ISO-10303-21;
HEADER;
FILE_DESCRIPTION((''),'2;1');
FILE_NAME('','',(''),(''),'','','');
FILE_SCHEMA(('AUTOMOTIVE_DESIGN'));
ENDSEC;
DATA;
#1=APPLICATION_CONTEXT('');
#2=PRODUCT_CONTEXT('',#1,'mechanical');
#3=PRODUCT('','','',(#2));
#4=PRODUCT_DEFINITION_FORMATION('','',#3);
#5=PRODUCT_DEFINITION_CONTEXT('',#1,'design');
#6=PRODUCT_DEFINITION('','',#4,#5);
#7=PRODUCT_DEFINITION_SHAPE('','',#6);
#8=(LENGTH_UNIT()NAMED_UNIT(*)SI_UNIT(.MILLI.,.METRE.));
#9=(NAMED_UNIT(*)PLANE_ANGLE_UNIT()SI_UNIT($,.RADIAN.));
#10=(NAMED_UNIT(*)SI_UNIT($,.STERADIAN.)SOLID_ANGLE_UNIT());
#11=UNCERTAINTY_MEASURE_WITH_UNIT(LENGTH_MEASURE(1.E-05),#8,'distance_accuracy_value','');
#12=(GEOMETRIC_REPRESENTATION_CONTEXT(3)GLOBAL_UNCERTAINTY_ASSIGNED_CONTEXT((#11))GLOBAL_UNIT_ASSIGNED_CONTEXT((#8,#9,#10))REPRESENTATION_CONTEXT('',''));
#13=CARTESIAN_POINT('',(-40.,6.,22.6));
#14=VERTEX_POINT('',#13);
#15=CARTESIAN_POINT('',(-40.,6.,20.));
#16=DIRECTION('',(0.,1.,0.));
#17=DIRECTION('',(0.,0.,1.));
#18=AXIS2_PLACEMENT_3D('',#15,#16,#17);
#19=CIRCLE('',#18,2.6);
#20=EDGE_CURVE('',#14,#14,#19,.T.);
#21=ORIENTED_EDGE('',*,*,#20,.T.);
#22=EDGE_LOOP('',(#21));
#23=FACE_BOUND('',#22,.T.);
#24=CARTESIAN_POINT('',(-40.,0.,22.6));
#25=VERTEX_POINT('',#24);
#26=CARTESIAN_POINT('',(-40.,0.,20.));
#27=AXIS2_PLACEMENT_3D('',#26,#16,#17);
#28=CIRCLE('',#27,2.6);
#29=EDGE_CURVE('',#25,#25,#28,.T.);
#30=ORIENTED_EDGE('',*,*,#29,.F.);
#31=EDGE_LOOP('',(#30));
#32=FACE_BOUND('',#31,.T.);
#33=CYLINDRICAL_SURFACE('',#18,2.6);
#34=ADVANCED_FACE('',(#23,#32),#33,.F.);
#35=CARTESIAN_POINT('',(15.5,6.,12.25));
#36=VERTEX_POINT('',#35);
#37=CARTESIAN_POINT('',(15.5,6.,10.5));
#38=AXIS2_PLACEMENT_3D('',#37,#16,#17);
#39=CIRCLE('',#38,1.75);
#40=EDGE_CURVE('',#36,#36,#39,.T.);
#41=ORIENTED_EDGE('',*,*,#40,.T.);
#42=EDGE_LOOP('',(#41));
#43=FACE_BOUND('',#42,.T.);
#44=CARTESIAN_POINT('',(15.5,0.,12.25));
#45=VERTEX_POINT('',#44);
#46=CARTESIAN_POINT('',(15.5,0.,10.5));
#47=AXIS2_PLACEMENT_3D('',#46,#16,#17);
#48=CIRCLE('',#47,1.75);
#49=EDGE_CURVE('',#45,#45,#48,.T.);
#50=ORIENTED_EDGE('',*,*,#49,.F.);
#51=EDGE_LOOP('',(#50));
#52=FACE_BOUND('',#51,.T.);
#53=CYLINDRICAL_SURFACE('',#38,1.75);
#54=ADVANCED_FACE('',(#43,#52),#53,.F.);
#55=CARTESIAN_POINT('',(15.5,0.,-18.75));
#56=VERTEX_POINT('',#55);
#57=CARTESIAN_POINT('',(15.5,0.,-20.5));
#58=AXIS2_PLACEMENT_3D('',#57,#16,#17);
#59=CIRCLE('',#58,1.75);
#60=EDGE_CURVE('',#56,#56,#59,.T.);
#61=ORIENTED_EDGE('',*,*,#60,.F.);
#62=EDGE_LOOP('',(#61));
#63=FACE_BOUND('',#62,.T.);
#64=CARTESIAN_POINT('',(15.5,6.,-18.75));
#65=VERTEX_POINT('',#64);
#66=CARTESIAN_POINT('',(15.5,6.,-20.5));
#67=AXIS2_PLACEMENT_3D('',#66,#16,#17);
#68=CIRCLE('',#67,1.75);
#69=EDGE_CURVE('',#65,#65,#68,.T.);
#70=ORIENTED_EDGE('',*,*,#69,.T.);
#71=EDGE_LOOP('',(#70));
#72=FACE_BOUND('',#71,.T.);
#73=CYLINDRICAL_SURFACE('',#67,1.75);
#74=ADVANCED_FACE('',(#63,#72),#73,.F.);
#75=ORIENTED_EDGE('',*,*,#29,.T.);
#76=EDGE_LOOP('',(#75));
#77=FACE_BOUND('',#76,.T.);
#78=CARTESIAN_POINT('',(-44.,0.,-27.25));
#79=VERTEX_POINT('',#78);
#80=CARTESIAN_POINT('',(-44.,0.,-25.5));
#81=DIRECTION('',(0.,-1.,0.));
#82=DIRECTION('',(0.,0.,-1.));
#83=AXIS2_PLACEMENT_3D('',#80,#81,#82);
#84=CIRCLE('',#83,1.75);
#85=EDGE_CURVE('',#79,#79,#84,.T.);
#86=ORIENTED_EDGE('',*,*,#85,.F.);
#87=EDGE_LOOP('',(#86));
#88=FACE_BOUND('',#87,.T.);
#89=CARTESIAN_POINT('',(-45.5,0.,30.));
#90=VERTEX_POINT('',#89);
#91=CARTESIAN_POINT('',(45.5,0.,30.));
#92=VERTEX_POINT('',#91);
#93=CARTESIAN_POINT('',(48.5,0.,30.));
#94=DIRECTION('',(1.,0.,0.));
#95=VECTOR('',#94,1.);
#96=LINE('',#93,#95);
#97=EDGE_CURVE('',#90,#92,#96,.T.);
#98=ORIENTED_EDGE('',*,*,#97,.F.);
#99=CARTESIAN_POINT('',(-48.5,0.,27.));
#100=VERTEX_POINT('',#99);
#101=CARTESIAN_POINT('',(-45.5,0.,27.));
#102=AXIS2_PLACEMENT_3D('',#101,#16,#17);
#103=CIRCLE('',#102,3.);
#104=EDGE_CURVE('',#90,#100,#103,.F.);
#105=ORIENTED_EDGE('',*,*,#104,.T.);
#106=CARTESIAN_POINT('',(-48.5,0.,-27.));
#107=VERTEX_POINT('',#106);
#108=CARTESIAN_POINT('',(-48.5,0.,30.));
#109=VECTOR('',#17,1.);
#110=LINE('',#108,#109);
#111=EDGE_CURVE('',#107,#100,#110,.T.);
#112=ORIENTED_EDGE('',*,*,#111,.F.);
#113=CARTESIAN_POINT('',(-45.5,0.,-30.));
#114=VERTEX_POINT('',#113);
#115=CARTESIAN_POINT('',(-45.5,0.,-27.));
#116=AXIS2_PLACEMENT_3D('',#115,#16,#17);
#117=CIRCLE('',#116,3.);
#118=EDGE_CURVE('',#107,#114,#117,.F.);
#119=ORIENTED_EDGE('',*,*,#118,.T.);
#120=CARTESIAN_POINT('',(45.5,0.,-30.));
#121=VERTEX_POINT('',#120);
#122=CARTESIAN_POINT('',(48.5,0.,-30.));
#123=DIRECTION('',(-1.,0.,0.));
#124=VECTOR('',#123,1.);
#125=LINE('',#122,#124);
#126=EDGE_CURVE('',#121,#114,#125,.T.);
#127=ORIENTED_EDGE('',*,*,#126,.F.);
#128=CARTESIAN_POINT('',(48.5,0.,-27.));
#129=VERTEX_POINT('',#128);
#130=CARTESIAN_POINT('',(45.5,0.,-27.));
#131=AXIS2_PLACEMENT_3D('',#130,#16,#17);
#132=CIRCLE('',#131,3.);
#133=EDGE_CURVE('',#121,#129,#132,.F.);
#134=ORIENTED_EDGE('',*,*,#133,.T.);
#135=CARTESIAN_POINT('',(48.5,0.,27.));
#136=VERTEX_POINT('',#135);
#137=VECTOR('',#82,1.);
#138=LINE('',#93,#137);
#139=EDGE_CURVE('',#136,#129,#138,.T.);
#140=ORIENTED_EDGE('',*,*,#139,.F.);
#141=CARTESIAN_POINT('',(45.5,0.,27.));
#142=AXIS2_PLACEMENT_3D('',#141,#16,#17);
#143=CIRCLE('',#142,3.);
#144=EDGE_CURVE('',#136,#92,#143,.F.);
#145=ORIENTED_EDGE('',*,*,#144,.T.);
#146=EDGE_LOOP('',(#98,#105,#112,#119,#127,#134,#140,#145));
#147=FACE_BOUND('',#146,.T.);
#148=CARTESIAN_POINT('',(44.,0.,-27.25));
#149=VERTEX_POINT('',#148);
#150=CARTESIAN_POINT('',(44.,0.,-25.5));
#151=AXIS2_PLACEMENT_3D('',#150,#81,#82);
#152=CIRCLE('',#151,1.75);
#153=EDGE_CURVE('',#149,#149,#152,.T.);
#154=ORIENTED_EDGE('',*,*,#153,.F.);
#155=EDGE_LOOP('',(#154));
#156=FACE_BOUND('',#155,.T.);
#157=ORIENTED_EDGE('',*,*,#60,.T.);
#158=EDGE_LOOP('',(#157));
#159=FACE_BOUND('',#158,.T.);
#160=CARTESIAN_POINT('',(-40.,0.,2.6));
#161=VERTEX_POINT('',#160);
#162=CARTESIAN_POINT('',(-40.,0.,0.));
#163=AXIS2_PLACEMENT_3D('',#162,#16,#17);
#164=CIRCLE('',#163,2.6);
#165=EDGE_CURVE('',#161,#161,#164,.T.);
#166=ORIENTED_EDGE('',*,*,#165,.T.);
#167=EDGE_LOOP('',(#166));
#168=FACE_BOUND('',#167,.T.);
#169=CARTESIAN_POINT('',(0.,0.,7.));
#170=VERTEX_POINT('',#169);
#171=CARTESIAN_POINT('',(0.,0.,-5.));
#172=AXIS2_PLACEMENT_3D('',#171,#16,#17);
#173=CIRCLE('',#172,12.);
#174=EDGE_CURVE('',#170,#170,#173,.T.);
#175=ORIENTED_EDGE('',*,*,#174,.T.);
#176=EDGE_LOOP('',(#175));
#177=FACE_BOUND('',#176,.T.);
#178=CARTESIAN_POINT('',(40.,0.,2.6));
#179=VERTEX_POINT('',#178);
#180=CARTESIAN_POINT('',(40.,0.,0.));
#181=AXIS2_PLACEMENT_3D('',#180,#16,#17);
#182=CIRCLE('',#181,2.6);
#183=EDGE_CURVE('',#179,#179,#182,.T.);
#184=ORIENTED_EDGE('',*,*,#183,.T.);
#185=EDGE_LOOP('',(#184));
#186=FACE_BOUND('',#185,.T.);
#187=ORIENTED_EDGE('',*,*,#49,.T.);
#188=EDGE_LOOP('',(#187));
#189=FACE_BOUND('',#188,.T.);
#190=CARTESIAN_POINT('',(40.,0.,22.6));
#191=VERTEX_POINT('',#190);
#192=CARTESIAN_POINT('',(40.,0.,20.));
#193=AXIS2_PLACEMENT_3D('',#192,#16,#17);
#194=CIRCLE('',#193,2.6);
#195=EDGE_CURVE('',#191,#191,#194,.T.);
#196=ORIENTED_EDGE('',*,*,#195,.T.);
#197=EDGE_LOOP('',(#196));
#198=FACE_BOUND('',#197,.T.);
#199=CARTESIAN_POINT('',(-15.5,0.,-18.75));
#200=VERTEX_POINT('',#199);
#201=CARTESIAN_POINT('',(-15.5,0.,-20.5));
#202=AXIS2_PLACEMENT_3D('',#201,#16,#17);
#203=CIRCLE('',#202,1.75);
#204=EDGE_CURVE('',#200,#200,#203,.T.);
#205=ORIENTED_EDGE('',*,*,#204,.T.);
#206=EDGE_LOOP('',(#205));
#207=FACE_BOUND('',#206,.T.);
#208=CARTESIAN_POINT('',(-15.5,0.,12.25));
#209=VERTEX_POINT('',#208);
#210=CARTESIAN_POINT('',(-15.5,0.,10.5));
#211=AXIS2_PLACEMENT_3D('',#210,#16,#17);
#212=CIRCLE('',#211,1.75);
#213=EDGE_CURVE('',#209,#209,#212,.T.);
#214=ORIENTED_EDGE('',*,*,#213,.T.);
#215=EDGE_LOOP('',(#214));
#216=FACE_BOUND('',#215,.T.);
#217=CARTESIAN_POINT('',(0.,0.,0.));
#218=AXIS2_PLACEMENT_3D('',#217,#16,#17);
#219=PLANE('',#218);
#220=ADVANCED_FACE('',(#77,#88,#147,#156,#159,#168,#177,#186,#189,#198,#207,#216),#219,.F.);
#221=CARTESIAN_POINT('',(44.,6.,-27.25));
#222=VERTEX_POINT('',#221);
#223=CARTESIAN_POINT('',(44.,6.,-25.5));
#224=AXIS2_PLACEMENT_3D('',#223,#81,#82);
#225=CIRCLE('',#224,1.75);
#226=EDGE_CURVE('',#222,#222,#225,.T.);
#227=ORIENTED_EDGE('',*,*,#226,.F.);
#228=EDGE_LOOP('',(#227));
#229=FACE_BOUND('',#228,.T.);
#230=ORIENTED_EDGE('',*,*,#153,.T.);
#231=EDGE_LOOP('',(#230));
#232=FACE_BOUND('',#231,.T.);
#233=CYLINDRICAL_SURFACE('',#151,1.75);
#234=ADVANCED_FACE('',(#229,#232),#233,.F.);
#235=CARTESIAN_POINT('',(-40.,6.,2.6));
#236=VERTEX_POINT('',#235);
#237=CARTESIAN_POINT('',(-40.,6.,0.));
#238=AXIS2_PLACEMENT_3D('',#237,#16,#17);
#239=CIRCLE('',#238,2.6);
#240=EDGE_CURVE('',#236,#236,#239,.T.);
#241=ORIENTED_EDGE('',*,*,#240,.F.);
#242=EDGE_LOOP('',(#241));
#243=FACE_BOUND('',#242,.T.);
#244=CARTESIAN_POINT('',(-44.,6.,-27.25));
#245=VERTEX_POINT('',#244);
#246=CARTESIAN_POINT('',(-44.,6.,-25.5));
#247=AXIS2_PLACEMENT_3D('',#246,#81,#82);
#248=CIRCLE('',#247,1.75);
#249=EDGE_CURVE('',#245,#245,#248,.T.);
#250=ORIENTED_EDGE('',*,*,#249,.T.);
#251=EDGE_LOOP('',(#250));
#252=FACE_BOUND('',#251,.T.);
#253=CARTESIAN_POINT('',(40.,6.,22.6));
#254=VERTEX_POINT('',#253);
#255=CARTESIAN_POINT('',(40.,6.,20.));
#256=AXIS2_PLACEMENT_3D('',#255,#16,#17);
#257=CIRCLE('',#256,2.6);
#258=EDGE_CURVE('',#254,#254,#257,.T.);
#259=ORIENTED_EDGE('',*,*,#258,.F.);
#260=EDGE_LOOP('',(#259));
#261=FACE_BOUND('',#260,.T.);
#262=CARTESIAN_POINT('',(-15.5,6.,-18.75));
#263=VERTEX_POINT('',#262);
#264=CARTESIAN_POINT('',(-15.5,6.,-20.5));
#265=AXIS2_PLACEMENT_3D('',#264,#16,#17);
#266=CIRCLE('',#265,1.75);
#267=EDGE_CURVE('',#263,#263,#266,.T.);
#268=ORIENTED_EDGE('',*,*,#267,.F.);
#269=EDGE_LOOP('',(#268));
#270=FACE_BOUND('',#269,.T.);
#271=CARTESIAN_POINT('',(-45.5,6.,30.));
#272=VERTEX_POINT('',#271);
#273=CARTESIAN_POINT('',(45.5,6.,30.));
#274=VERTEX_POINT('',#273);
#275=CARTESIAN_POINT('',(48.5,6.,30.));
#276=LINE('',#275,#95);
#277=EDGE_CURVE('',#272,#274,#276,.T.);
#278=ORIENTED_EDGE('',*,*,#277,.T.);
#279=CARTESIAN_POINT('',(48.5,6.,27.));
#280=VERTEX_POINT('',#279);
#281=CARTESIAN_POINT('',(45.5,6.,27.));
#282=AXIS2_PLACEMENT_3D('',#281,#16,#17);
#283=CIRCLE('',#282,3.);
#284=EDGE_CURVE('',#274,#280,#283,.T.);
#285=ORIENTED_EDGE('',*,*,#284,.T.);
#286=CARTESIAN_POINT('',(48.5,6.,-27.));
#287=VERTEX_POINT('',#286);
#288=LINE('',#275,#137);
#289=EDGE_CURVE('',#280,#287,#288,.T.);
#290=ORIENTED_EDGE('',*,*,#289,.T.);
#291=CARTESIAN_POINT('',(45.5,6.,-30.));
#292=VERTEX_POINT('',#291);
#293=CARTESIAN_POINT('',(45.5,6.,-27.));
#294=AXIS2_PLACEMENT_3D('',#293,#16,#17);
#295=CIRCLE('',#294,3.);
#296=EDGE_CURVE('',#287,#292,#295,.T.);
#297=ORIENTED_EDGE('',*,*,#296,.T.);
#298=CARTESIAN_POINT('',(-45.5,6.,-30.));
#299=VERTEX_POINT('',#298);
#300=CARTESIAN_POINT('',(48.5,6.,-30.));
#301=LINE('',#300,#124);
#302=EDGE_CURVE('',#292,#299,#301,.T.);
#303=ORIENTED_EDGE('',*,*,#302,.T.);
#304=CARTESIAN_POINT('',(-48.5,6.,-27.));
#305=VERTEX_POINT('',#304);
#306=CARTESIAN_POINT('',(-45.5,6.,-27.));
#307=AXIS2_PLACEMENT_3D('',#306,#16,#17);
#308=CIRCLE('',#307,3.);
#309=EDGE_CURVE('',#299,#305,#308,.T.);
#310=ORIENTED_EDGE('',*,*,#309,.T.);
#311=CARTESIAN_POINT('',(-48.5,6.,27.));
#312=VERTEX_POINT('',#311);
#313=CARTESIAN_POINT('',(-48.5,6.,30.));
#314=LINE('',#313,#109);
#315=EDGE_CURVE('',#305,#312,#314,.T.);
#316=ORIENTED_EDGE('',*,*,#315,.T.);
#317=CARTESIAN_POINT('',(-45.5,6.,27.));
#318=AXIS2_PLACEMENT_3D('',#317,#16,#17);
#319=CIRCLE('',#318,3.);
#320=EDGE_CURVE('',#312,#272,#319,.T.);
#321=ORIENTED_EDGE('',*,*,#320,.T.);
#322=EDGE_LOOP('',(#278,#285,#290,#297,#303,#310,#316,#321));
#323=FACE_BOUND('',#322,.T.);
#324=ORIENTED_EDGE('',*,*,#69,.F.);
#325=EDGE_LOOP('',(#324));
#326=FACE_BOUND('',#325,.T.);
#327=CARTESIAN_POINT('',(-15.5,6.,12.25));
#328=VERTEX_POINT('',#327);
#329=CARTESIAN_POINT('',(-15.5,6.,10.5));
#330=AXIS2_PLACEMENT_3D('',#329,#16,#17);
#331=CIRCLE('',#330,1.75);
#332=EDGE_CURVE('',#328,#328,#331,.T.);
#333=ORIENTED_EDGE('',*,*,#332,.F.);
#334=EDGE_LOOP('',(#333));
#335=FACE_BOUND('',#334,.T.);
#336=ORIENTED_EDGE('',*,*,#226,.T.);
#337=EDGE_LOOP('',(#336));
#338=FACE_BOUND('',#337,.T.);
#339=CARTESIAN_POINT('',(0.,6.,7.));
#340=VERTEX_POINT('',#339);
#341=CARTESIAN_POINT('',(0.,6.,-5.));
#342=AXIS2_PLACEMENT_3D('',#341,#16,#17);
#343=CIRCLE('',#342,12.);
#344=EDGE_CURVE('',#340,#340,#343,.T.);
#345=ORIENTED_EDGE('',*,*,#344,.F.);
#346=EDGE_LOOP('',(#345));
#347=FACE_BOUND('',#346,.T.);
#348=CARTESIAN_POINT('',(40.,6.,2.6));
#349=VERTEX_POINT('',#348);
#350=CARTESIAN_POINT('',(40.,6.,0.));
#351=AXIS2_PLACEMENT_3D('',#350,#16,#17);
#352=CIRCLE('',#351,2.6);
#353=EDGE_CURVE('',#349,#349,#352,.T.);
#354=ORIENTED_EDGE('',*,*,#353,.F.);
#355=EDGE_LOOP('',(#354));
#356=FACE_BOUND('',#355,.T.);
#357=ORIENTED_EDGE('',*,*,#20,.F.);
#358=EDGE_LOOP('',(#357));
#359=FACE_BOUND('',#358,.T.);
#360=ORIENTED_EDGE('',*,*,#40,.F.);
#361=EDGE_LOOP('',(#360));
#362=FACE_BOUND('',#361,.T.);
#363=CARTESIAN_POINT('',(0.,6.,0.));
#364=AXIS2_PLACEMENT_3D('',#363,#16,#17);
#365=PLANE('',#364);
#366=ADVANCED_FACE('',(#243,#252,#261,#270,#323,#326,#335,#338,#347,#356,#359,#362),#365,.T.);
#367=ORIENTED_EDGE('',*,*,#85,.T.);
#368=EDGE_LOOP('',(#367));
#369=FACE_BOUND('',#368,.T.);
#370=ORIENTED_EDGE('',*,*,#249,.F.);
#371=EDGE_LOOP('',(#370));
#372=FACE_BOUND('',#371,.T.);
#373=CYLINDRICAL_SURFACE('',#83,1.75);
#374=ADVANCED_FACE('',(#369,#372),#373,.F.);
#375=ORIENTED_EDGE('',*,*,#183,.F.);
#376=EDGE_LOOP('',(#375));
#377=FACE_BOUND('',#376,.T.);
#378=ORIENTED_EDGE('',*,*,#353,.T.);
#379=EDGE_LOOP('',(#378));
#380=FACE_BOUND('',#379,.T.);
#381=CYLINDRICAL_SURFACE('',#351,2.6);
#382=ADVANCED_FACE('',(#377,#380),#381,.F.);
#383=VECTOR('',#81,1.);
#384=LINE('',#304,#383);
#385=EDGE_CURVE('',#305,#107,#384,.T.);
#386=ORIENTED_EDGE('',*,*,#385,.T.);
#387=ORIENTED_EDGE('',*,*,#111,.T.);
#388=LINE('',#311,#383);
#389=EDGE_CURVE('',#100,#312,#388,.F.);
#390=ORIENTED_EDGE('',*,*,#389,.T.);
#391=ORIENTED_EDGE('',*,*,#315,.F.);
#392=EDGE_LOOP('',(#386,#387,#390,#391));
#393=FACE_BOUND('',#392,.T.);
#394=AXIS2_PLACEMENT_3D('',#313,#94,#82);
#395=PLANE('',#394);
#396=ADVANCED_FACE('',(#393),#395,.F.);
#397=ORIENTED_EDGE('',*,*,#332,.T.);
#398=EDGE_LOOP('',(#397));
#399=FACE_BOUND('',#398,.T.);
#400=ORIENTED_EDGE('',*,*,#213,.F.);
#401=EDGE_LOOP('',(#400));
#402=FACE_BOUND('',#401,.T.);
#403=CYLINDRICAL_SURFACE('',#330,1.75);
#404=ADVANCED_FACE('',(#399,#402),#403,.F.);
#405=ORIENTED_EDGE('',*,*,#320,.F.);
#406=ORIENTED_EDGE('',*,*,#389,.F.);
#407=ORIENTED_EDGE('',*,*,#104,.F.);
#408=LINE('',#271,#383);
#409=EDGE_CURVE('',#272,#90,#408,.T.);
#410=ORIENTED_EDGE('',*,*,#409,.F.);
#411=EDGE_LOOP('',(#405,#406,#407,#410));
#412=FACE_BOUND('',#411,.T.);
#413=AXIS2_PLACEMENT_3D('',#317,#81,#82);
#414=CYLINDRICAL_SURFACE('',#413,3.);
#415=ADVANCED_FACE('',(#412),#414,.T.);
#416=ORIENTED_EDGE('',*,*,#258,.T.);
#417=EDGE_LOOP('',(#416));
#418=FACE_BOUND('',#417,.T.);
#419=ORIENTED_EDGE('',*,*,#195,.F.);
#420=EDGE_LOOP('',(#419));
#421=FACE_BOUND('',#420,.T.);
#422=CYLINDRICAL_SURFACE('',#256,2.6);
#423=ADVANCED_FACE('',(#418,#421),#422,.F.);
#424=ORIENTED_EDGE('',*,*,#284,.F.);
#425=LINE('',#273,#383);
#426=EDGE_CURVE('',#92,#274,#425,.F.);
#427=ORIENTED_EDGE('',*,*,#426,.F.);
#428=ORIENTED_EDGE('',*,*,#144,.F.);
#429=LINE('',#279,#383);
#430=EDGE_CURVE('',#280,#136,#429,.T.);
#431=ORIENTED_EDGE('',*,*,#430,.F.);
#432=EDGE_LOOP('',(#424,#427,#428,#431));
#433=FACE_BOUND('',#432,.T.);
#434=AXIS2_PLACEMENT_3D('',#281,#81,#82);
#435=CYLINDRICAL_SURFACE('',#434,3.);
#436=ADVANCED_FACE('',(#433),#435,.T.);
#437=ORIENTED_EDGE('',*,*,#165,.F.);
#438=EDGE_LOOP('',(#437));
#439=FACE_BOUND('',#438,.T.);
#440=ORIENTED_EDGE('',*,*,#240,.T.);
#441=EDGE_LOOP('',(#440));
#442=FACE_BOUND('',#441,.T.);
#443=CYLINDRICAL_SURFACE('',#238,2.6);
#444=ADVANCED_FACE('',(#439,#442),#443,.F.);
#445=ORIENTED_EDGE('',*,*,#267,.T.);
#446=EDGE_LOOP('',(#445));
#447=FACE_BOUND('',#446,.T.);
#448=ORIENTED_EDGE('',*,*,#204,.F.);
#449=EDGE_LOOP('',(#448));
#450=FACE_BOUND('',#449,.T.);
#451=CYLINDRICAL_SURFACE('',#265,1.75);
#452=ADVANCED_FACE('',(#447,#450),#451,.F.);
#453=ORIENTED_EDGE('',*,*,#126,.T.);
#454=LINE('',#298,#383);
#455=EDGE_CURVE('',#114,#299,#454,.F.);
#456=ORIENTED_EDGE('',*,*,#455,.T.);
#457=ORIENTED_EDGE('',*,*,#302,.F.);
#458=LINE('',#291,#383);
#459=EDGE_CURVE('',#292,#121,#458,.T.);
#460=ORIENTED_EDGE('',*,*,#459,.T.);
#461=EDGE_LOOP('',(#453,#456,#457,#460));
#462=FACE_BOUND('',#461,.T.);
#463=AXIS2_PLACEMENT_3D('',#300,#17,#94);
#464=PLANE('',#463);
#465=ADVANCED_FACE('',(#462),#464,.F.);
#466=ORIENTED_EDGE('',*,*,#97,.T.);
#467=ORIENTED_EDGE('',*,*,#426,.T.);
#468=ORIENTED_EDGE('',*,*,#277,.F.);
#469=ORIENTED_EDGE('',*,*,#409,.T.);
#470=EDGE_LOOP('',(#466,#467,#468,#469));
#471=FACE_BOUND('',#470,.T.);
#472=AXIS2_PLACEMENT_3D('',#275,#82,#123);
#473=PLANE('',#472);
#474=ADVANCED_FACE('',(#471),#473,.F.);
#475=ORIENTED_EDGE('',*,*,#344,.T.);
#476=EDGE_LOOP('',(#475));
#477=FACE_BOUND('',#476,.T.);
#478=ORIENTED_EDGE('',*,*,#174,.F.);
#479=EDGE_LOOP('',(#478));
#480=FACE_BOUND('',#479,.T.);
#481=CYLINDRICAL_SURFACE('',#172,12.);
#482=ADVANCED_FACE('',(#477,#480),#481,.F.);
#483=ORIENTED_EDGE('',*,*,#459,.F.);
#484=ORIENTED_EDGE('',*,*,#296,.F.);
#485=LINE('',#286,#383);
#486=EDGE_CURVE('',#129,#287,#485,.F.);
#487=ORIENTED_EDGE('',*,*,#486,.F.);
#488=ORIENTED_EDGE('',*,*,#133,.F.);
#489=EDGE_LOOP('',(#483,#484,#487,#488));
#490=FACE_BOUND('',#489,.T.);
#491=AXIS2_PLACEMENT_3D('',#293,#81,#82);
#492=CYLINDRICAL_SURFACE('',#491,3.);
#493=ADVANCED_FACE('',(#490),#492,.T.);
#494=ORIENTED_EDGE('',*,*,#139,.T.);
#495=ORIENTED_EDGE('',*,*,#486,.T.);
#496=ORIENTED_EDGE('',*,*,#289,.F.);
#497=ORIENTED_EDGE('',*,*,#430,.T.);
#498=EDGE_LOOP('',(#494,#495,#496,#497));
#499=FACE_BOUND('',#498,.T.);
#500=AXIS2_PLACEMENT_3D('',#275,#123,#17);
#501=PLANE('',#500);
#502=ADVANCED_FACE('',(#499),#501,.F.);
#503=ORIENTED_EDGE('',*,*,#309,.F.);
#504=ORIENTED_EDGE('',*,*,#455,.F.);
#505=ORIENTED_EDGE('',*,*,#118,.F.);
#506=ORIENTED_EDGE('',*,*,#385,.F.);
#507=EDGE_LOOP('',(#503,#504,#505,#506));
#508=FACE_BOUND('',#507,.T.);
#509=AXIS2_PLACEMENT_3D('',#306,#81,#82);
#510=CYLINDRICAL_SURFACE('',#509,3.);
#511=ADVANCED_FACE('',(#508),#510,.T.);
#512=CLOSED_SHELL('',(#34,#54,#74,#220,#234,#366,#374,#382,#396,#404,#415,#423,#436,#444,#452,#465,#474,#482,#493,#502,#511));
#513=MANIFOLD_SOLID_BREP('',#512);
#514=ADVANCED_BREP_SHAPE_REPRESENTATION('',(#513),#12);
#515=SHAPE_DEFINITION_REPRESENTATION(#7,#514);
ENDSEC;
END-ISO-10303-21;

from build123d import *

# Parameters (mm, degrees)
SKETCH1_W                     = 97
SKETCH1_H                     = 60
BASE_DEPTH                    = 6
SKETCH2_R                     = 12
STEPPERCASEHOLE_DEPTH         = 7
FILLETEDGES3MM_R              = 3
F_3_5MM_CABLETIEHOLES_D       = 3.5
F_5_2_5_2_HOLESFORCORNERS_D   = 5.2
F_3_5_3_5_STEPPERMOUNTHOLES_D = 3.5


with BuildPart() as part:
    # Sketch1 → Base (new body)
    with BuildSketch(Plane(origin=(0, 0, 0), x_dir=(1, 0, 0), z_dir=(0, 1, 0))):
        Rectangle(SKETCH1_W, SKETCH1_H)
    extrude(amount=BASE_DEPTH)

    # Sketch2 → StepperCaseHole (cut, through all)
    with BuildSketch(Plane(origin=(0, 6, 0), x_dir=(1, 0, 0), z_dir=(0, 1, 0))):
        with Locations((0, 5)):
            Circle(SKETCH2_R)
    extrude(amount=-STEPPERCASEHOLE_DEPTH, mode=Mode.SUBTRACT)

    # FilletEdges3mm
    filletedges3mm_edges = [part.edges().sort_by_distance(p)[0] for p in [
        (-48.5, 3, -30),
        (48.5, 3, -30),
        (48.5, 3, 30),
        (-48.5, 3, 30),
    ]]
    fillet(filletedges3mm_edges, radius=FILLETEDGES3MM_R)

    # Ø3.5mm CableTieHoles (through all)
    with Locations(Plane(origin=(0, 0, 0), x_dir=(-1, 0, 0), z_dir=(0, -1, 0))):
        with Locations((-44, 25.5), (44, 25.5)):
            Hole(F_3_5MM_CABLETIEHOLES_D / 2)

    # Ø5.2 (5.2) HolesForCorners (through all)
    with Locations(Plane(origin=(0, 6, 0), x_dir=(1, 0, 0), z_dir=(0, 1, 0))):
        with Locations((-40, 0), (-40, -20), (40, 0), (40, -20)):
            Hole(F_5_2_5_2_HOLESFORCORNERS_D / 2)

    # Ø3.5 (3.5) StepperMountHoles (through all)
    with Locations(Plane(origin=(0, 6, 0), x_dir=(1, 0, 0), z_dir=(0, 1, 0))):
        with Locations((-15.5, 20.5), (-15.5, -10.5), (15.5, -10.5), (15.5, 20.5)):
            Hole(F_3_5_3_5_STEPPERMOUNTHOLES_D / 2)


solid = part.part
